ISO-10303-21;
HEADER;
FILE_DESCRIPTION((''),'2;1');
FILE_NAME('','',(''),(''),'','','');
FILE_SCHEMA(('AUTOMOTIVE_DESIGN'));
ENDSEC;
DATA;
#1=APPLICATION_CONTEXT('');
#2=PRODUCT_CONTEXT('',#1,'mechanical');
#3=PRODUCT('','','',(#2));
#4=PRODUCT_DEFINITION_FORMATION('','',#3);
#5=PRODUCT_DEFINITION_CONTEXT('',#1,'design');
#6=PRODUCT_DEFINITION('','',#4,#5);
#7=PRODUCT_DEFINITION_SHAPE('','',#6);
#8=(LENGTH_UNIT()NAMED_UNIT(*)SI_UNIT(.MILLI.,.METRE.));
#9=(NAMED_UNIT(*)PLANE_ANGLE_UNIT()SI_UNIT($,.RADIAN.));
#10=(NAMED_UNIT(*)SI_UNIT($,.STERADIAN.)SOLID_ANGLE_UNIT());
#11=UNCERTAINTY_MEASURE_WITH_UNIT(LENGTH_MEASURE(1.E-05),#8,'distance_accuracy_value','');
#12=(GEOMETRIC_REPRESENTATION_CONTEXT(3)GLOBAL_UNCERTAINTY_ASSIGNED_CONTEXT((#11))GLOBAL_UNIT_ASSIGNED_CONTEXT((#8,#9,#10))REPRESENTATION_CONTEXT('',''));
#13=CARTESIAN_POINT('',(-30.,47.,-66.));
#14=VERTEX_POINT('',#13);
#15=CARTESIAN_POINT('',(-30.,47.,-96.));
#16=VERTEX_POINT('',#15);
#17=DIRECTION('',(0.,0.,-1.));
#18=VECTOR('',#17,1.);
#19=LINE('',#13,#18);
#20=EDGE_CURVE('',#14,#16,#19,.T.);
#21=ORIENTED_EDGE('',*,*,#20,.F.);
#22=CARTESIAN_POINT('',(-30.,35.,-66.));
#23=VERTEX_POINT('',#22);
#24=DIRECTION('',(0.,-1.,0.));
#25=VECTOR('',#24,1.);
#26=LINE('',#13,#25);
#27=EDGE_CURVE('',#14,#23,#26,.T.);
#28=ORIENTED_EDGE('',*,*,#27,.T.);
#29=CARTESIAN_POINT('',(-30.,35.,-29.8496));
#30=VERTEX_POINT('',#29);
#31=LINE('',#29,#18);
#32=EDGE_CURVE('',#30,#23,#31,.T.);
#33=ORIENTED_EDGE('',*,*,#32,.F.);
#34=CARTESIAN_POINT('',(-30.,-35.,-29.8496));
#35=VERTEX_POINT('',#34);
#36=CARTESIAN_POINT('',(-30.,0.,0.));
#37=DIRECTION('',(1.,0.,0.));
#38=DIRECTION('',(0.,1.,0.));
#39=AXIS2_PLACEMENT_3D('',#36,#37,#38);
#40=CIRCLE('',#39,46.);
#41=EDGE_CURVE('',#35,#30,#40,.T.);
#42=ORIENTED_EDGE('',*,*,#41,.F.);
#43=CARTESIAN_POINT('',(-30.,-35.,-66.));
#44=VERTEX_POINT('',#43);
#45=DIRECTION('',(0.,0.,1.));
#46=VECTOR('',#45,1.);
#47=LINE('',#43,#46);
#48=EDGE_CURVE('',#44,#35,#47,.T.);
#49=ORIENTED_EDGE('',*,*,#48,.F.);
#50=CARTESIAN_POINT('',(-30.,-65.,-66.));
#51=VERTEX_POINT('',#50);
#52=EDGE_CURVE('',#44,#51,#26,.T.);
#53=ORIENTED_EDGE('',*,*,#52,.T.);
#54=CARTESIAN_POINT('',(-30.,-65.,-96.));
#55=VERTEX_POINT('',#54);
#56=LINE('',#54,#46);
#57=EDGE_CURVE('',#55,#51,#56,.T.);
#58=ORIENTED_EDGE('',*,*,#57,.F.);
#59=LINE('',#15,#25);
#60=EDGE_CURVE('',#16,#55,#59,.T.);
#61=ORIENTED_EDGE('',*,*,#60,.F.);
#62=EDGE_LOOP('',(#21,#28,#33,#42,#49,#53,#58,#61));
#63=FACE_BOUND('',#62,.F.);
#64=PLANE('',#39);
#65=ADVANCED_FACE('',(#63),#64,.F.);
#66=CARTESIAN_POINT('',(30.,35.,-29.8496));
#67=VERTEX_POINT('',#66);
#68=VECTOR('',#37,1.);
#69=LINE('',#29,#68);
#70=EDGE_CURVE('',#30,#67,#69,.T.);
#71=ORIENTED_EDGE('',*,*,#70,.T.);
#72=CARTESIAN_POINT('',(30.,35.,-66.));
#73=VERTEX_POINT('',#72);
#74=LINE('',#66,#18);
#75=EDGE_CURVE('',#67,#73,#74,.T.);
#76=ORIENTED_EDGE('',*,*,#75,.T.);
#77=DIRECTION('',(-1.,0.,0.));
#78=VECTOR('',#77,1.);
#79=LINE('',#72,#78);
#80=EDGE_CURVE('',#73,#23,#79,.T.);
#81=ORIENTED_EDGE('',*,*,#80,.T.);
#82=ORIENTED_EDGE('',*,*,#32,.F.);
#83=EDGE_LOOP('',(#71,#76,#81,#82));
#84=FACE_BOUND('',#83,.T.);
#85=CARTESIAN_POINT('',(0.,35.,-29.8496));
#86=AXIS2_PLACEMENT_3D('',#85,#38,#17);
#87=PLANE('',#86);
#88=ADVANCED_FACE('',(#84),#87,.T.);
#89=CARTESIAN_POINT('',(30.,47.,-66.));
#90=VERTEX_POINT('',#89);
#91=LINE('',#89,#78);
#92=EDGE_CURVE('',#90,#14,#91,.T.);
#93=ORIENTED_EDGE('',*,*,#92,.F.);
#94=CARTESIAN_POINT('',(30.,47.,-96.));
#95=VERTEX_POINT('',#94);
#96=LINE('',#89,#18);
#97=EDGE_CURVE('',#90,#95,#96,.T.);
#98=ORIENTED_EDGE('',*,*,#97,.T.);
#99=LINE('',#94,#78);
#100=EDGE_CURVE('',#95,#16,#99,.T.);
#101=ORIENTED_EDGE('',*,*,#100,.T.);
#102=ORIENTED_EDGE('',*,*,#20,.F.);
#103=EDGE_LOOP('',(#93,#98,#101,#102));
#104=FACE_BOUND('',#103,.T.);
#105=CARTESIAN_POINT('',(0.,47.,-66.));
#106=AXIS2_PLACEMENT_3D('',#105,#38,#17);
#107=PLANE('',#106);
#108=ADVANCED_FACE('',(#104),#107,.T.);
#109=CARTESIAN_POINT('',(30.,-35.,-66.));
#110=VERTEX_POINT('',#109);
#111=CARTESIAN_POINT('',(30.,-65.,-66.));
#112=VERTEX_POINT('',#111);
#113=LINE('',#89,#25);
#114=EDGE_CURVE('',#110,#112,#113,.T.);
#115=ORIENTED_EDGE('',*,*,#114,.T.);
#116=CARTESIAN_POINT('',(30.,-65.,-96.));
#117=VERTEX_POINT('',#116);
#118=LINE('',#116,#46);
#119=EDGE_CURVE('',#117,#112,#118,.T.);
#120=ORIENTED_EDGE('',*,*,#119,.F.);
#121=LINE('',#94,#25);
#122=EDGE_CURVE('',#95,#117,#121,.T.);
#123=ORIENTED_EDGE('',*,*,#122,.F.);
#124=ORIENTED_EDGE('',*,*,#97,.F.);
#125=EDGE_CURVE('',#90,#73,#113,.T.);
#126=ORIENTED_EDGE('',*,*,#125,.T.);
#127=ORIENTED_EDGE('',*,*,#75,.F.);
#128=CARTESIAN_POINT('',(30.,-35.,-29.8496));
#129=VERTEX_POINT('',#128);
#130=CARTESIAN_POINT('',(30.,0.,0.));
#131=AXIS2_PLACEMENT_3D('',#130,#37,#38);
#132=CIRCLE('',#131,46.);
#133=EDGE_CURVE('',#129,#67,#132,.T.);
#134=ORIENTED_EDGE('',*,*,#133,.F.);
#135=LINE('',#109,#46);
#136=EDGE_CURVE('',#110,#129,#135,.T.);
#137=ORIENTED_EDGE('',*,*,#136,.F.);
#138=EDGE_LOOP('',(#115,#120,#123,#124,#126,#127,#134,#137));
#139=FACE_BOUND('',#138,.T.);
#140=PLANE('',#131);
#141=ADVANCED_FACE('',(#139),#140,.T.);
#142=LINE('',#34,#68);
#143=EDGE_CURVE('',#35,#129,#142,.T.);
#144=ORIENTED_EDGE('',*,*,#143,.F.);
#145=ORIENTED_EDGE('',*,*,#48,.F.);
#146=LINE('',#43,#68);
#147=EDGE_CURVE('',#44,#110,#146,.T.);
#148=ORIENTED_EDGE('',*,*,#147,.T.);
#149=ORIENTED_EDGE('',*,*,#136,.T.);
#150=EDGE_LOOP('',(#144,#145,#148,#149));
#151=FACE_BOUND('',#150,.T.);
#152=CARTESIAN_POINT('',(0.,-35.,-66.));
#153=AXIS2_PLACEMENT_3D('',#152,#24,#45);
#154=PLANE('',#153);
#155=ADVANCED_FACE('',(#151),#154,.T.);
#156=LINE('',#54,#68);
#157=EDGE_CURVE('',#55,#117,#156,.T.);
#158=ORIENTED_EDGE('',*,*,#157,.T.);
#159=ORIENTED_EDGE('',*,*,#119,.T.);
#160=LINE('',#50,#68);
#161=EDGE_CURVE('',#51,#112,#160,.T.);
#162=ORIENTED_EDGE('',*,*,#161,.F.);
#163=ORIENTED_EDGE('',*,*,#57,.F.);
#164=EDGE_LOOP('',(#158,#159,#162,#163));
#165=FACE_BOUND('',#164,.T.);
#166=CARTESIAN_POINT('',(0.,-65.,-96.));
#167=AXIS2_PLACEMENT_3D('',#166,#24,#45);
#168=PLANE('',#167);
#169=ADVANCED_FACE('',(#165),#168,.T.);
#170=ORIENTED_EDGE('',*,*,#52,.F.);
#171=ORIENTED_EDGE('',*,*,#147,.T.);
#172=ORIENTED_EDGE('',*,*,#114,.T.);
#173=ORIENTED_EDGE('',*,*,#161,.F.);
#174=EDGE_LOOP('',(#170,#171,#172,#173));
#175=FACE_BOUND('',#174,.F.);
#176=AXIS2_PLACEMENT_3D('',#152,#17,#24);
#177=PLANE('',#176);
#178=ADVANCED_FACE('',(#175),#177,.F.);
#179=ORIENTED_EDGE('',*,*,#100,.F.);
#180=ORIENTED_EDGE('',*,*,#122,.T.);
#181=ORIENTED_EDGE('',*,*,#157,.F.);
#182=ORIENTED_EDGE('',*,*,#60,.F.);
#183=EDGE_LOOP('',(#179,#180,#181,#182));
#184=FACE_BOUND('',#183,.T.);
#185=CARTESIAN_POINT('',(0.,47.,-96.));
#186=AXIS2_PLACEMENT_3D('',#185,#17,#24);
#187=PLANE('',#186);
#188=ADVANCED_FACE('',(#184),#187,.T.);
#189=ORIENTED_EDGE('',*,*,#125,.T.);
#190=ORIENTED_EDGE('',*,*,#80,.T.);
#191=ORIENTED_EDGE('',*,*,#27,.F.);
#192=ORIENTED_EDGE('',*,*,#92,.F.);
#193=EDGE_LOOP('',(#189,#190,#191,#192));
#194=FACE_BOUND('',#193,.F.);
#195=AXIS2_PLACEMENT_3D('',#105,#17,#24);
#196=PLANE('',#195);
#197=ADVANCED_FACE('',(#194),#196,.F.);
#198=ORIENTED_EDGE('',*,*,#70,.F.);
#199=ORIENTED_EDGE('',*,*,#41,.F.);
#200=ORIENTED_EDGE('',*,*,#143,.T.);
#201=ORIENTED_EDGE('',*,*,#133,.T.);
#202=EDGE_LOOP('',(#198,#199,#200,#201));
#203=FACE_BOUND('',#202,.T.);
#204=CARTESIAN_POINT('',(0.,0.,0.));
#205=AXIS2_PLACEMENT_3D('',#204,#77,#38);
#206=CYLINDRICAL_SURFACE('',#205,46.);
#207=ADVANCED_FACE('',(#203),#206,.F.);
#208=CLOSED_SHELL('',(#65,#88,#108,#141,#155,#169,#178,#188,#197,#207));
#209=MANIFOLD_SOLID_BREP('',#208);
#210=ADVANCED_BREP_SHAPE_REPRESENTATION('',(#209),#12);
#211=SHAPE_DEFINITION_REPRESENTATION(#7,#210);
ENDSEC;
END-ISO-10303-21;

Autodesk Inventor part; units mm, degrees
ref_plane "Work Plane7" through (0, -46.2947, -99.445) normal (0, -0.9997, 0.0235) x (0, -0.0235, -0.9997)
ref_plane "Work Plane8" through (0, 70.92, -98.723) normal (0, -0.9994, -0.036) x (0, 0.036, -0.9994)
ref_plane "Work Plane9" through (-30, 0, 0) normal (1, 0, 0) x (0, 1, 0)
sketch "Sketch20" plane through (0, 0, 0) normal (1, 0, 0) x (0, 1, 0)
  line L0 (-87.4, 0) -> (69.4, 0) projected
  line L1 (0, -124.4) -> (0, 74.4) construction
  circle A0 centre (0, 0) radius 40
  circle A1 centre (0, 0) radius 46
  line L2 (35, -29.8496) -> (35, -66)
  line L3 (-35, -66) -> (-35, -29.8496)
  line L4 (47, -66) -> (-65, -66)
  line L5 (47, -66) -> (47, -96)
  line L6 (47, -96) -> (-65, -96)
  line L7 (-65, -96) -> (-65, -66)
  point P0 (0, -66)
  dimension "d254" = 92
  dimension "d255" = 80
  dimension "d256" = 70
  dimension "d261" = 90
  dimension "d262" = 30
  dimension "d263" = 47
  dimension "d264" = 65
  dimension "d265" = 96
  dimension "d268" = 30
  dimension "d269" = 12
  dimension "d273" = 36.1504
extrude "Extrusion18" add sketch "Sketch20" along normal mid plane 60 contours L2 L4 L3 A1 | L4 L5 L6 L7
sketch "Sketch21" plane through (-30, 47, -66) normal (0, 1, 0) x (1, 0, 0)
  line L0 (0, 0) -> (60, 0) projected
  line L1 (60, 30) -> (60, 0) projected
  line L2 (0, 30) -> (60, 30) projected
  line L3 (0, 0) -> (0, 30) projected
  line L4 (60, 30) -> (60, 0) projected
  line L5 (0, 0) -> (0, 30) projected
  arc A0 (60, 1029.0992) -> (0, 1029.0992) centre (30, 530) ccw
  line L6 (0, 30) -> (60, 30) projected
  point P0 (30, 30)
  point P1 (60, 29.0992)
  point P2 (0, 29.0992)
  dimension "d270" = 500
sketch3d "3D Sketch1"
properties part number "shank_2"
